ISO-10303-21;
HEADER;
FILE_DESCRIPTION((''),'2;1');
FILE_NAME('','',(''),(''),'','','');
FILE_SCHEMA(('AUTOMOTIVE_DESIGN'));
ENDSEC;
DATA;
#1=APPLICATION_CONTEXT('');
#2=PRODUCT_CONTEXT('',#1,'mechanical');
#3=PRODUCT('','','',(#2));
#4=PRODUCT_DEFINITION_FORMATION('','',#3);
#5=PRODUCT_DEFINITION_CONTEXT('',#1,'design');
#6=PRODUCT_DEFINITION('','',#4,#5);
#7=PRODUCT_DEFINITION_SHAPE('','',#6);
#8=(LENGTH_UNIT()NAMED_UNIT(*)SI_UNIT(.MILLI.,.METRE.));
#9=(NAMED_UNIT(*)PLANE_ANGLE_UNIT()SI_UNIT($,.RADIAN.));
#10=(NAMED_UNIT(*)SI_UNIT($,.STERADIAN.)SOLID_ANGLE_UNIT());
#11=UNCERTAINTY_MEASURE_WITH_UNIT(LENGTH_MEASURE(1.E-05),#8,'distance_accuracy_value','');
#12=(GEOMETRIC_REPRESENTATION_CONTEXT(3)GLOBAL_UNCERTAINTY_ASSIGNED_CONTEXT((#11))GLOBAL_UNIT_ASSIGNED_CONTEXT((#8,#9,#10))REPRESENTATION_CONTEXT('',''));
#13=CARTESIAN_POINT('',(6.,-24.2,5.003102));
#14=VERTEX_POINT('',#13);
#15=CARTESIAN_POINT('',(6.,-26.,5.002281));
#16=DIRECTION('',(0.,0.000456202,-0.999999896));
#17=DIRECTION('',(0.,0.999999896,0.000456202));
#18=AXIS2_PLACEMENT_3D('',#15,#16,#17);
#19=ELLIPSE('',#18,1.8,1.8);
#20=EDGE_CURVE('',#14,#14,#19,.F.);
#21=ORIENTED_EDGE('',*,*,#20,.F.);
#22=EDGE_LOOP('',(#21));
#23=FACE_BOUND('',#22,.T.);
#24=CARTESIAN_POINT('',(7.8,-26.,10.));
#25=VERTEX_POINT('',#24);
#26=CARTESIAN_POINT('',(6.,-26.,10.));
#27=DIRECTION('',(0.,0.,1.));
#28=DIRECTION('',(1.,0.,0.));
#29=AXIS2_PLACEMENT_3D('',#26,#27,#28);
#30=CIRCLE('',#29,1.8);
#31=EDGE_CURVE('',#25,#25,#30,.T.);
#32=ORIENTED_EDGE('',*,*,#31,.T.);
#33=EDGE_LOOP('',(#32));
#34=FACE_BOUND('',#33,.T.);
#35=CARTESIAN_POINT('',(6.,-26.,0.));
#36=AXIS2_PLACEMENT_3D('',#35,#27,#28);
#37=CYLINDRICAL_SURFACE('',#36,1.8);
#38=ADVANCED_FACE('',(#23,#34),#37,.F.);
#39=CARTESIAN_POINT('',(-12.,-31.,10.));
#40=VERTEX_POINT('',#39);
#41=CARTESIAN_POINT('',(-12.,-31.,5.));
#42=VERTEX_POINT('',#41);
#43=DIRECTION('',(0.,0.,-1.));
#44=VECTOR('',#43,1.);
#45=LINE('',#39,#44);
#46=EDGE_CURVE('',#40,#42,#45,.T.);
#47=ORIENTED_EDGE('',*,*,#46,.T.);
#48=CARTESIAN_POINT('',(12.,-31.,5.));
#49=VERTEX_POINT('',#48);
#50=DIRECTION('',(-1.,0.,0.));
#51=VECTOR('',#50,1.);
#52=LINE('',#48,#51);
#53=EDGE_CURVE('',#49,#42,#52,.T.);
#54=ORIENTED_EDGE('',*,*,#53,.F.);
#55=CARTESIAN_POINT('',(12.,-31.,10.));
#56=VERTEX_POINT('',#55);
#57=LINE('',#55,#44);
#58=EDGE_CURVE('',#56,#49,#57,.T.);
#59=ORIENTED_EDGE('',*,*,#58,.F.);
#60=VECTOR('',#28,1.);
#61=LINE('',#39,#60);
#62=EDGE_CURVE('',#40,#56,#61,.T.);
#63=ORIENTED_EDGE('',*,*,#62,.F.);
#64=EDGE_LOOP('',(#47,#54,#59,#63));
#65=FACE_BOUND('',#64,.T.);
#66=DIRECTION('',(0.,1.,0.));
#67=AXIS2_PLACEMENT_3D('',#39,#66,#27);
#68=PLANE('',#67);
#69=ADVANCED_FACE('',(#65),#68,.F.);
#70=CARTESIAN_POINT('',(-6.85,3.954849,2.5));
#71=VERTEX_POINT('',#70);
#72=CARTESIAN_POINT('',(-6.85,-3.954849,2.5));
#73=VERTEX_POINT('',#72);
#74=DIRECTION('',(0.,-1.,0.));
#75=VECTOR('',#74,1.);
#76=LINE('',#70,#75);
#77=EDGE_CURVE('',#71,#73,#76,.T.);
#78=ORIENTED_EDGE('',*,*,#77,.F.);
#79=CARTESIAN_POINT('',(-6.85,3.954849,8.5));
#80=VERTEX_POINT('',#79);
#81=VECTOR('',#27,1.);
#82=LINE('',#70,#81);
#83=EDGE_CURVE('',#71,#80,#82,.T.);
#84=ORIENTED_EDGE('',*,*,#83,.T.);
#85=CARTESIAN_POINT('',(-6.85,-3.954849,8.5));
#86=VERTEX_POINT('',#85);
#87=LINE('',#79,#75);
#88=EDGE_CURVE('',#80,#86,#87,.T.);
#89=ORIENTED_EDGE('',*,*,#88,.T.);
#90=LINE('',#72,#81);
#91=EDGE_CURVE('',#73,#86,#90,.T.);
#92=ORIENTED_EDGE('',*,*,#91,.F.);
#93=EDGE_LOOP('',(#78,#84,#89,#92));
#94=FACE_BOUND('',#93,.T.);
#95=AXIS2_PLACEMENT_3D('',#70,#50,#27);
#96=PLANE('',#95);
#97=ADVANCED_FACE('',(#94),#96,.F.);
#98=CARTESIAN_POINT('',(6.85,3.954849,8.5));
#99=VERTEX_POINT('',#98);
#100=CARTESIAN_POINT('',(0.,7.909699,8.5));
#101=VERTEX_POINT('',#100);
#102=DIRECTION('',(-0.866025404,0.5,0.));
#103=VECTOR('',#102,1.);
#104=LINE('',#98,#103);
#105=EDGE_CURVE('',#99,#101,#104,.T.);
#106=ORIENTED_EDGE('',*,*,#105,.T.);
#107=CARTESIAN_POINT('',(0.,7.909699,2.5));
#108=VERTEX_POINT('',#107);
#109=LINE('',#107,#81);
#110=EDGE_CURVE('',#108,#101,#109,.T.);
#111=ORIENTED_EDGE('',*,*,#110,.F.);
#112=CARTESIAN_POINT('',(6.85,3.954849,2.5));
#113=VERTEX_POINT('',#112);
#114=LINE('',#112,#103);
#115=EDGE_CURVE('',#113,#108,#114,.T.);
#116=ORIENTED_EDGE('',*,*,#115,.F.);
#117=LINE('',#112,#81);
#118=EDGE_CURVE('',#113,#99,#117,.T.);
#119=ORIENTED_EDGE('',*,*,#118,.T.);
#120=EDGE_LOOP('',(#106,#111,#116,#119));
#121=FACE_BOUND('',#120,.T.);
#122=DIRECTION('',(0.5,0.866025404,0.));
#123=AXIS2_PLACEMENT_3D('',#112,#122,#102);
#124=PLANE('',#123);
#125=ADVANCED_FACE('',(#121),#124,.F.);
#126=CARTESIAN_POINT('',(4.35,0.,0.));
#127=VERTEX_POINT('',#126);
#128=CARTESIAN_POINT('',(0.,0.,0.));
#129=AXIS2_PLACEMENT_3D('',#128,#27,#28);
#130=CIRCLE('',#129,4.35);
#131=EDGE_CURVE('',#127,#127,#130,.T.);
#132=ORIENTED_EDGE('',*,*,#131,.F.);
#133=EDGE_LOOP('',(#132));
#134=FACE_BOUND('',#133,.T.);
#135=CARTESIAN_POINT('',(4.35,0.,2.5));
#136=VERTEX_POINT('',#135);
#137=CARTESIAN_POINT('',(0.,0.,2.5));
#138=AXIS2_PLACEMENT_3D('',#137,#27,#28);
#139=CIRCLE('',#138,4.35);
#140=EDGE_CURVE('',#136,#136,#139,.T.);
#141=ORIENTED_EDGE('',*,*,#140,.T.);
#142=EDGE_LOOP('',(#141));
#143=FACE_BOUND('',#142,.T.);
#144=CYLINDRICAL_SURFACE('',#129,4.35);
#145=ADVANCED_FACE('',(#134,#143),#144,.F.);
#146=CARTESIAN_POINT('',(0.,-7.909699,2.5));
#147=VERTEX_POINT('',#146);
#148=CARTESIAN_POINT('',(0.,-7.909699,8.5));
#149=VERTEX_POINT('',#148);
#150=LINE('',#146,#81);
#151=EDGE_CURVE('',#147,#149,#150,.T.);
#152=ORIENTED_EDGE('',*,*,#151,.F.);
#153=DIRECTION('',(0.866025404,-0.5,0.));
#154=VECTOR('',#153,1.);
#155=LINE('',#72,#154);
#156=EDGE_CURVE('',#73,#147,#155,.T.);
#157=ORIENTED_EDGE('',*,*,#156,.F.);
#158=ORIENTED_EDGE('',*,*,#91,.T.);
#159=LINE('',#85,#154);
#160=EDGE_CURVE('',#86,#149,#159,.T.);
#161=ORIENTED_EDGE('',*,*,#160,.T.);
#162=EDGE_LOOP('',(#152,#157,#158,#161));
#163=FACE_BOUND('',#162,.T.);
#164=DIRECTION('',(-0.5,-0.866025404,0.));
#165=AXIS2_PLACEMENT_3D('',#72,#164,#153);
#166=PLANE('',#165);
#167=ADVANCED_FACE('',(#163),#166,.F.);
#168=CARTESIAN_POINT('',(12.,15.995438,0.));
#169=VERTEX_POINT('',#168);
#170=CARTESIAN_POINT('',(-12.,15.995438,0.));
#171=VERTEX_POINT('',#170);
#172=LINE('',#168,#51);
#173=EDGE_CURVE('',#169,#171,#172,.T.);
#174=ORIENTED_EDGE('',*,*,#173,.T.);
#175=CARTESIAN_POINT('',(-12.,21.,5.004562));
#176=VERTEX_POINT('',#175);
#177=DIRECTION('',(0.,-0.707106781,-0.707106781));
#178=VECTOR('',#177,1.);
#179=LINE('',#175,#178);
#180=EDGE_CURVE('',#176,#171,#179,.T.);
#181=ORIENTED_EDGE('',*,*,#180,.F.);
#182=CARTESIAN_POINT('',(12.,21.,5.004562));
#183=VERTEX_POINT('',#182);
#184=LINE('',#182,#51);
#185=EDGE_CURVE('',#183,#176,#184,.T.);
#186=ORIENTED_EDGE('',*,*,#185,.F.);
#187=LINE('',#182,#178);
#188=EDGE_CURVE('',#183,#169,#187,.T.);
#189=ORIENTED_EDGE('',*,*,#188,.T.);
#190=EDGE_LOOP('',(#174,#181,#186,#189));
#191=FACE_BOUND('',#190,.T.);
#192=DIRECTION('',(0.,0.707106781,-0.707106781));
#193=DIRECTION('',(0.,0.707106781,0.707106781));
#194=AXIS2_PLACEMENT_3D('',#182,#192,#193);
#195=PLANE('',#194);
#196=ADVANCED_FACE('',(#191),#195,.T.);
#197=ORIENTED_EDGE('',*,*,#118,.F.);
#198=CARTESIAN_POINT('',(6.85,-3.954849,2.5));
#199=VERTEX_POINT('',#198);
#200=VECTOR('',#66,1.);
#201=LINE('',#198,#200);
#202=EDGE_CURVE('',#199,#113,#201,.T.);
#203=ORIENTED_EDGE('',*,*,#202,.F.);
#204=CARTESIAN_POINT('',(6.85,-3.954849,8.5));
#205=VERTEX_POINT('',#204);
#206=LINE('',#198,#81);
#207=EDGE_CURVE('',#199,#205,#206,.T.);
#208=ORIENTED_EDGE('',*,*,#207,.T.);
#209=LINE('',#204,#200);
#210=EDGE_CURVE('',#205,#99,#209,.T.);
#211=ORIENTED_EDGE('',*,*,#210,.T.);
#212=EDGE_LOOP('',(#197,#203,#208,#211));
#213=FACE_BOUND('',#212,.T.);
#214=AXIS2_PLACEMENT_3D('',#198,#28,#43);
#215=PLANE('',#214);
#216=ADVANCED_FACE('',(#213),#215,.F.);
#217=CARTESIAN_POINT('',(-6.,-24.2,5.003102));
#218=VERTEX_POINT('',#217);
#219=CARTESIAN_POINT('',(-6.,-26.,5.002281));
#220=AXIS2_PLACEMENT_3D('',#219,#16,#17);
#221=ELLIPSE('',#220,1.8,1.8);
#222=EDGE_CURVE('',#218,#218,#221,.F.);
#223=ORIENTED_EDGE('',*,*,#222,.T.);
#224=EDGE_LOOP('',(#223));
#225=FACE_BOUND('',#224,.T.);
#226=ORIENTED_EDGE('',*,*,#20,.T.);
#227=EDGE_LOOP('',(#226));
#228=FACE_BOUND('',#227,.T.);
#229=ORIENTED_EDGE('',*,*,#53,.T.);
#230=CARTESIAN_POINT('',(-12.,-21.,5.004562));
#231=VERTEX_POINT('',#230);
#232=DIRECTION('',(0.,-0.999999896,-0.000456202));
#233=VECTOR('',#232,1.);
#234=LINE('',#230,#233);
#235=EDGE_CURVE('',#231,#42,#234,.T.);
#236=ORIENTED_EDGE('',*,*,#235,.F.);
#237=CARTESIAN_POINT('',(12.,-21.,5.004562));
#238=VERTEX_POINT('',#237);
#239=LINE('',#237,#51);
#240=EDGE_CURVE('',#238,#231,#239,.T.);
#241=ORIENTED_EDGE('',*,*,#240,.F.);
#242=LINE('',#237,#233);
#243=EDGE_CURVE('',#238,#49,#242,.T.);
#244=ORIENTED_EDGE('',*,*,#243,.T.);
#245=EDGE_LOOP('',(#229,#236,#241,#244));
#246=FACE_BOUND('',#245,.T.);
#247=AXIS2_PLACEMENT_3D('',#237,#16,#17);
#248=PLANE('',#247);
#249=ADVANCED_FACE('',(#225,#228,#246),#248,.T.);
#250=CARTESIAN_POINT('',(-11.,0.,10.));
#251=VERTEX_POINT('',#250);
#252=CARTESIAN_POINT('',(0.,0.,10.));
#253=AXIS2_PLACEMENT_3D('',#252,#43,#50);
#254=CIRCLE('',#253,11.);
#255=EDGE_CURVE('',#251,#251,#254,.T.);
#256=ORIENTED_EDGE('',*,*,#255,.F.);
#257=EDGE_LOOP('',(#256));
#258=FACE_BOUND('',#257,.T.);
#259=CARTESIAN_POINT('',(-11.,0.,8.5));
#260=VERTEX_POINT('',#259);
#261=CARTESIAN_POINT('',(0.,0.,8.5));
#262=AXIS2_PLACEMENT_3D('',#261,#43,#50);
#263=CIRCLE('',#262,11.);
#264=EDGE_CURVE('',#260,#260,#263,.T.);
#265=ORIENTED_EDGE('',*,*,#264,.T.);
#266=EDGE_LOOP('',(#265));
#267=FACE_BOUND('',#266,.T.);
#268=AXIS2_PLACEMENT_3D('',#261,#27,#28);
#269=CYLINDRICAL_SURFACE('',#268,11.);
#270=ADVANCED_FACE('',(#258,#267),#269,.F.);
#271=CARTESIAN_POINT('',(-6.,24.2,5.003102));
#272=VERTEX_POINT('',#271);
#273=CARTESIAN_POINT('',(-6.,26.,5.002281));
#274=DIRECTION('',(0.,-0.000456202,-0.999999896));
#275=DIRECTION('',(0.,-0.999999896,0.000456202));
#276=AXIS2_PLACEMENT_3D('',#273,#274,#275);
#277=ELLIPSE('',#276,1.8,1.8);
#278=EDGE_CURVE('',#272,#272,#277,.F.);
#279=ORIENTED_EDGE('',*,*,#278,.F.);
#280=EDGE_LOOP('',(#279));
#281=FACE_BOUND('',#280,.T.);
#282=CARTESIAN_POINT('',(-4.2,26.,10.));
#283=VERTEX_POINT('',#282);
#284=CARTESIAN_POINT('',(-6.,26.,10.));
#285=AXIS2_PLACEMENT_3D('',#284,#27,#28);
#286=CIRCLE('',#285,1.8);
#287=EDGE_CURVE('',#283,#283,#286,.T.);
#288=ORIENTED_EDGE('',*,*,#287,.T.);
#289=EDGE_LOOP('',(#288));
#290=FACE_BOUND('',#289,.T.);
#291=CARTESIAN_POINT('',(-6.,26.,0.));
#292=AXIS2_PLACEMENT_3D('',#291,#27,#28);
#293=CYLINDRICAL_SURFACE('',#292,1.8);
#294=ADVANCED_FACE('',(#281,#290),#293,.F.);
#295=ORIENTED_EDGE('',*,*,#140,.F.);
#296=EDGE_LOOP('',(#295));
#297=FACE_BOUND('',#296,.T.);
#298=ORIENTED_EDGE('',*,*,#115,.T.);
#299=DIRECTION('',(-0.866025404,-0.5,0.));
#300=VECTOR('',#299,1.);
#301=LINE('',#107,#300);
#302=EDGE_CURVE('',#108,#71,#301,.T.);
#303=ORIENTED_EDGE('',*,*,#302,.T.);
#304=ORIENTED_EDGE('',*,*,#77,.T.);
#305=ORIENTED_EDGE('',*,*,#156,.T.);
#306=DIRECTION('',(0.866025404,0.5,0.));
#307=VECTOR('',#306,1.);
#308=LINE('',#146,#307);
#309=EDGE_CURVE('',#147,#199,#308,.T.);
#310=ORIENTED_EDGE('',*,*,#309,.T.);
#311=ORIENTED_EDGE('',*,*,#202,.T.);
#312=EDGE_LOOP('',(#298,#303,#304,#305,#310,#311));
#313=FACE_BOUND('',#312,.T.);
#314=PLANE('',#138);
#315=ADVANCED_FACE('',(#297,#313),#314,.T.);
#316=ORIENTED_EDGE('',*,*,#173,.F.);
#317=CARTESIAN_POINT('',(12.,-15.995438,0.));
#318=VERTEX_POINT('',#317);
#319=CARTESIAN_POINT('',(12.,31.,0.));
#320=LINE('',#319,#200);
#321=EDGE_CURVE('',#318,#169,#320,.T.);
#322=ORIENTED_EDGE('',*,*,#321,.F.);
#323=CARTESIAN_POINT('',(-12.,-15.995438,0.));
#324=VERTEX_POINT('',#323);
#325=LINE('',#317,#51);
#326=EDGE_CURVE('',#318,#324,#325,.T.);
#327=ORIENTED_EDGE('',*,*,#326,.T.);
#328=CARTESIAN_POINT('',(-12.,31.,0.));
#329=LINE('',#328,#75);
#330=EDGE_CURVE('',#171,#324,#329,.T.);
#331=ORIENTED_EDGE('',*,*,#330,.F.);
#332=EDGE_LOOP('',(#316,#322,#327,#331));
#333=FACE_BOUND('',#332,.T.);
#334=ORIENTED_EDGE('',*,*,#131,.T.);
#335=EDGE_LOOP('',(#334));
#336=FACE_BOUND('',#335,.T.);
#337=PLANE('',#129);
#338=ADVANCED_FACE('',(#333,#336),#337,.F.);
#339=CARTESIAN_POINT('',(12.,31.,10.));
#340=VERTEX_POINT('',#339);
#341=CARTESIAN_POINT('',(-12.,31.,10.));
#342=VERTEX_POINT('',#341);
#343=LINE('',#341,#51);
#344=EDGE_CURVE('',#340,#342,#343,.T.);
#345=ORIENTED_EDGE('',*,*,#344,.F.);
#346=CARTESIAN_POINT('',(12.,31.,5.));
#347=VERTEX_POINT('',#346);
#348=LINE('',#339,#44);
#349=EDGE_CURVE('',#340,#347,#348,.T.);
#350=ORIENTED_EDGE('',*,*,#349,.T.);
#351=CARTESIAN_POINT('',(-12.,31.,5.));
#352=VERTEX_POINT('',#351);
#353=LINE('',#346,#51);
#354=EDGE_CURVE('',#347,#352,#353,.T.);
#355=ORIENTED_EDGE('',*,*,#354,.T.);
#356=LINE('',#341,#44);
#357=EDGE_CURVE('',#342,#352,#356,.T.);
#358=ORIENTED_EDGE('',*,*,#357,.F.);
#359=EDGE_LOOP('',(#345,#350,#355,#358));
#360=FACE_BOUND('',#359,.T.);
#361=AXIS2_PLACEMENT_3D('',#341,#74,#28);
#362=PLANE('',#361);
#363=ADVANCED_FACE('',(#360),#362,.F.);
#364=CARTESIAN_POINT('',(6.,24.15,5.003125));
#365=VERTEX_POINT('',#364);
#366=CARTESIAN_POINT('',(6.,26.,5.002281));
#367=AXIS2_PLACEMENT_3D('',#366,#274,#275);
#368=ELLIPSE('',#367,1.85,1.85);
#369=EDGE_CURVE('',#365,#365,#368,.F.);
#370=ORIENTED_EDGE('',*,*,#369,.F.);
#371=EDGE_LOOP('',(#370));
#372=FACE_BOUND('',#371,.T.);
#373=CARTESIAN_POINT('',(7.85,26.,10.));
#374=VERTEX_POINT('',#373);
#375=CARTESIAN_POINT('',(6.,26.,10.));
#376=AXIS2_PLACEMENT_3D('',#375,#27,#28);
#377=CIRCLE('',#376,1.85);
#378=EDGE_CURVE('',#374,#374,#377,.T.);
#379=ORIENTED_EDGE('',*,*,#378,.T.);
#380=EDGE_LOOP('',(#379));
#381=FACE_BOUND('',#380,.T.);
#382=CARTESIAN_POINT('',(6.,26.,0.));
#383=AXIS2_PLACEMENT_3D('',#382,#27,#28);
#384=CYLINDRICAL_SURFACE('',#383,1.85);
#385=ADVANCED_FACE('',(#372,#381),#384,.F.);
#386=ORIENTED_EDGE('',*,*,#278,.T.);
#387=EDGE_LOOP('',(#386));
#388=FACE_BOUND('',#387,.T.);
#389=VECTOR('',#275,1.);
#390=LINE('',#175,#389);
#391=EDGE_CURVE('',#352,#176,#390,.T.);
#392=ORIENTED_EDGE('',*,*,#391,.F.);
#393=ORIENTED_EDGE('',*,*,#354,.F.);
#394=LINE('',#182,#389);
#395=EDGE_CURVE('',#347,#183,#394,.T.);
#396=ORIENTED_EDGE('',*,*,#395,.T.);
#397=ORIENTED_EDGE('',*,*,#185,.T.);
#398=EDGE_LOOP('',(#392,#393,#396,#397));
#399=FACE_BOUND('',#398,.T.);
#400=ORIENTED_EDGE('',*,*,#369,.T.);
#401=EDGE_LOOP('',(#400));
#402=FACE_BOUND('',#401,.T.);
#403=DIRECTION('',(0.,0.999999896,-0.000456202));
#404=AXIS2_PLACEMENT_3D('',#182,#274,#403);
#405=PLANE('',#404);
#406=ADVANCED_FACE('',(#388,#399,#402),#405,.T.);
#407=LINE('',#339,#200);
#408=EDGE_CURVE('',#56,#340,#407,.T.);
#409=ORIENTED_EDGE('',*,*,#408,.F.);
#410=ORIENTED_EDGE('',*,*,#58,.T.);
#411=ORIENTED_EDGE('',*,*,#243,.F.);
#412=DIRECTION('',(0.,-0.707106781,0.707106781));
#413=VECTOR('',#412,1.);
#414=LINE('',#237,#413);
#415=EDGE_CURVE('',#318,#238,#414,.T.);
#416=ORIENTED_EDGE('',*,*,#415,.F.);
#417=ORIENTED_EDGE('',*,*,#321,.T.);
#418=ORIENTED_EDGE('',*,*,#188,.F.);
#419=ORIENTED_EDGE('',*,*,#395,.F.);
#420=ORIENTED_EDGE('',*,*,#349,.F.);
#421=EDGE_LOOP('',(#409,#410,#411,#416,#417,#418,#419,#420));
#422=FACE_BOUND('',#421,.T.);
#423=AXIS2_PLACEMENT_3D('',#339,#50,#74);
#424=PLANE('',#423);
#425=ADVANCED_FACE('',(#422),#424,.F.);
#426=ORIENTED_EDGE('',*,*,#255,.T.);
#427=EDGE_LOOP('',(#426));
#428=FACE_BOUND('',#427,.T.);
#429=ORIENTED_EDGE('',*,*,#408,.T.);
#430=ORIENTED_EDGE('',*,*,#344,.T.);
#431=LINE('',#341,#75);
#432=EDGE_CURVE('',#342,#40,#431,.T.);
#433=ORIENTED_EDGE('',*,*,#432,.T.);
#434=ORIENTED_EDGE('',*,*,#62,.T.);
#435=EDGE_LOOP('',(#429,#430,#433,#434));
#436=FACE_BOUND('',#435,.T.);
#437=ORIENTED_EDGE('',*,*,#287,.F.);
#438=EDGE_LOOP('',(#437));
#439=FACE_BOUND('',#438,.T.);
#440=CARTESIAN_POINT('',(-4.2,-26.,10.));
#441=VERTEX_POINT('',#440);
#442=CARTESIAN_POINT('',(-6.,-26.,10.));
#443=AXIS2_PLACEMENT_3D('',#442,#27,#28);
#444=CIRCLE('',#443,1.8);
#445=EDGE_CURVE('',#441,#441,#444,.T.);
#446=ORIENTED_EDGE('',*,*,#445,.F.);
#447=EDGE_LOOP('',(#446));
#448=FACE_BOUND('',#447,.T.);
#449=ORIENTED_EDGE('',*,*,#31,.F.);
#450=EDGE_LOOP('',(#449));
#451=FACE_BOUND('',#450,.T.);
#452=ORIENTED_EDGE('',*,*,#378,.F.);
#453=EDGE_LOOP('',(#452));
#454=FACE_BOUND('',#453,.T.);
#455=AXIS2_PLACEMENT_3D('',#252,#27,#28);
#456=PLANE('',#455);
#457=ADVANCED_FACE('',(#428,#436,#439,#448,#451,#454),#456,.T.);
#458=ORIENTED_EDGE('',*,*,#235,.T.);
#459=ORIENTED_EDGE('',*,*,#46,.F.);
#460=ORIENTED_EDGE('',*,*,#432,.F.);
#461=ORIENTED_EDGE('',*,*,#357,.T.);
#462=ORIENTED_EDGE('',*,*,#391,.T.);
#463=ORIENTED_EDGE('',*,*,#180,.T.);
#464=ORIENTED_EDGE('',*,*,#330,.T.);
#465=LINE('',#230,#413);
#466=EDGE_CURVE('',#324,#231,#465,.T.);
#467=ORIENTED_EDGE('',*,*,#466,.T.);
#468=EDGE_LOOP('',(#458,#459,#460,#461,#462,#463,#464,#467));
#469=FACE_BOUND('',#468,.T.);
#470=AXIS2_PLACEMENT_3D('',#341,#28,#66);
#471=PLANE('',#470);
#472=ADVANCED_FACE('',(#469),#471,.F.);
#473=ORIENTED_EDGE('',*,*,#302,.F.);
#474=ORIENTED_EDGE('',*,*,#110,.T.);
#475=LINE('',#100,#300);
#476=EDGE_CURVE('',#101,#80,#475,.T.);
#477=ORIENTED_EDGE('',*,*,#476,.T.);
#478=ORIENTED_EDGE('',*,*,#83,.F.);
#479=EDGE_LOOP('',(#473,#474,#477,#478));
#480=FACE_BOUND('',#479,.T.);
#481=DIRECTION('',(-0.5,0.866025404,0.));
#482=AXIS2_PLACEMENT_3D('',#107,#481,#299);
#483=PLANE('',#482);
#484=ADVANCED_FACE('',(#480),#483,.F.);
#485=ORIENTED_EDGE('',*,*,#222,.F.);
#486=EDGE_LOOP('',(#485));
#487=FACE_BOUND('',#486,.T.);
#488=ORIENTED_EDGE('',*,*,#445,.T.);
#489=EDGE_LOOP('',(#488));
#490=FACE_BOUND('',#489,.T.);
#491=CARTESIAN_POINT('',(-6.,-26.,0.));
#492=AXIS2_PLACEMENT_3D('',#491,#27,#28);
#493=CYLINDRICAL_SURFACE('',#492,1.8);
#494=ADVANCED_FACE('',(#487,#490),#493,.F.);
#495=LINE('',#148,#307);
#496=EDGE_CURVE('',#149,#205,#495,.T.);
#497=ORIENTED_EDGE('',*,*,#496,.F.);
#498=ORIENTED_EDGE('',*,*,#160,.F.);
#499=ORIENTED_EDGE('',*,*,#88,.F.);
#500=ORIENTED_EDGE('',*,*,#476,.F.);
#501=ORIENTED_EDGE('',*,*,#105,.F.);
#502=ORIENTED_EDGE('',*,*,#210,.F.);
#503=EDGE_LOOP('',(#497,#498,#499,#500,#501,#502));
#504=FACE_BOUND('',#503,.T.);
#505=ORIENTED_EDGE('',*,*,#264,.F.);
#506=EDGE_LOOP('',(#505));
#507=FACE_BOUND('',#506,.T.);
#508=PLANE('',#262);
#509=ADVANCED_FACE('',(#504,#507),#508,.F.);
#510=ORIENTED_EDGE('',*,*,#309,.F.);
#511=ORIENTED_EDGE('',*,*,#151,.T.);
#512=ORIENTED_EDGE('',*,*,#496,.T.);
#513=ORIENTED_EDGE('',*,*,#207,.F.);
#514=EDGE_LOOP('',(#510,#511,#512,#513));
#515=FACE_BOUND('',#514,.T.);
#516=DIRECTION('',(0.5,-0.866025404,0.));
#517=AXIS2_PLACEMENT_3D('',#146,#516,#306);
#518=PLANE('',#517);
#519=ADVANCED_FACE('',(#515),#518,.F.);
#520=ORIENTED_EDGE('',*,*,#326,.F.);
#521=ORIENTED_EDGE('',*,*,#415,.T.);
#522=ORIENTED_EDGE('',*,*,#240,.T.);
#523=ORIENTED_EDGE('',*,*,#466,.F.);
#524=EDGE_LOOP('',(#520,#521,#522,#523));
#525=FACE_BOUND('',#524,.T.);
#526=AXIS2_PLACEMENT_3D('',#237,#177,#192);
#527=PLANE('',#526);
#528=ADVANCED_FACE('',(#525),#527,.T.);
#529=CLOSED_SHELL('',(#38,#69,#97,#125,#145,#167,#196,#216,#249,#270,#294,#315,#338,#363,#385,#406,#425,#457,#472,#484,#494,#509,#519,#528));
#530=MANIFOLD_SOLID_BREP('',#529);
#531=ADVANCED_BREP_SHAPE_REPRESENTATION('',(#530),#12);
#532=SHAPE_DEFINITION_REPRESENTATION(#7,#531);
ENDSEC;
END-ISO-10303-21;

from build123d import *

# Parameters (mm, degrees)
ESBO_O1_W                = 24
ESBO_O1_H                = 62
RESSALTO_EXTRUS_O1_DEPTH = 10
ESBO_O4_R                = 11
CORTE_EXTRUS_O1_DEPTH    = 1.5
CORTE_EXTRUS_O2_DEPTH    = 6
ESBO_O9_R                = 4.35
ESBO_O9_R_2              = 1.85
ESBO_O9_R_3              = 1.8
CORTE_EXTRUS_O4_DEPTH    = 11
ESBO_O11_OUTSIDE_W       = 25.446
ESBO_O11_OUTSIDE_H       = 77.446
CORTE_EXTRUS_O7_DEPTH    = 25


with BuildPart() as part:
    # Esboço1 → Ressalto-extrusão1 (new body)
    with BuildSketch(Plane.XY):
        Rectangle(ESBO_O1_W, ESBO_O1_H)
    extrude(amount=RESSALTO_EXTRUS_O1_DEPTH)

    # Esboço4 → Corte-extrusão1 (cut)
    with BuildSketch(Plane(origin=(0, 0, 10), x_dir=(-1, 0, 0), z_dir=(0, 0, -1))):
        Circle(ESBO_O4_R)
    extrude(amount=CORTE_EXTRUS_O1_DEPTH, mode=Mode.SUBTRACT)

    # Esboço6 → Corte-extrusão2 (cut)
    with BuildSketch(Plane.XY.offset(8.5)):
        Polygon((0, -7.909698688), (6.85, -3.954849344), (6.85, 3.954849344), (0, 7.909698688), (-6.85, 3.954849344), (-6.85, -3.954849344), align=None)
    extrude(amount=-CORTE_EXTRUS_O2_DEPTH, mode=Mode.SUBTRACT)

    # Esboço9 → Corte-extrusão4 (cut, through all)
    with BuildSketch(Plane.XY.offset(10)):
        Circle(ESBO_O9_R)
        with Locations((6, 26)):
            Circle(ESBO_O9_R_2)
        with Locations((-6, 26)):
            Circle(ESBO_O9_R_3)
        with Locations((-6, -26)):
            Circle(ESBO_O9_R_3)
        with Locations((6, -26)):
            Circle(ESBO_O9_R_3)
    extrude(amount=-CORTE_EXTRUS_O4_DEPTH, mode=Mode.SUBTRACT)

    # Esboço11 outside → Corte-extrusão7 (cut, through all)
    with BuildSketch(Plane.ZY.offset(12)):
        with Locations((5, 0)):
            Rectangle(ESBO_O11_OUTSIDE_W, ESBO_O11_OUTSIDE_H)
        Polygon((5.004562024, -21), (5, -31), (10, -31), (10, 31), (5, 31), (5.004562024, 21), (0, 15.995437976), (0, -15.995437976), align=None, mode=Mode.SUBTRACT)
    extrude(amount=-CORTE_EXTRUS_O7_DEPTH, mode=Mode.SUBTRACT)


solid = part.part
